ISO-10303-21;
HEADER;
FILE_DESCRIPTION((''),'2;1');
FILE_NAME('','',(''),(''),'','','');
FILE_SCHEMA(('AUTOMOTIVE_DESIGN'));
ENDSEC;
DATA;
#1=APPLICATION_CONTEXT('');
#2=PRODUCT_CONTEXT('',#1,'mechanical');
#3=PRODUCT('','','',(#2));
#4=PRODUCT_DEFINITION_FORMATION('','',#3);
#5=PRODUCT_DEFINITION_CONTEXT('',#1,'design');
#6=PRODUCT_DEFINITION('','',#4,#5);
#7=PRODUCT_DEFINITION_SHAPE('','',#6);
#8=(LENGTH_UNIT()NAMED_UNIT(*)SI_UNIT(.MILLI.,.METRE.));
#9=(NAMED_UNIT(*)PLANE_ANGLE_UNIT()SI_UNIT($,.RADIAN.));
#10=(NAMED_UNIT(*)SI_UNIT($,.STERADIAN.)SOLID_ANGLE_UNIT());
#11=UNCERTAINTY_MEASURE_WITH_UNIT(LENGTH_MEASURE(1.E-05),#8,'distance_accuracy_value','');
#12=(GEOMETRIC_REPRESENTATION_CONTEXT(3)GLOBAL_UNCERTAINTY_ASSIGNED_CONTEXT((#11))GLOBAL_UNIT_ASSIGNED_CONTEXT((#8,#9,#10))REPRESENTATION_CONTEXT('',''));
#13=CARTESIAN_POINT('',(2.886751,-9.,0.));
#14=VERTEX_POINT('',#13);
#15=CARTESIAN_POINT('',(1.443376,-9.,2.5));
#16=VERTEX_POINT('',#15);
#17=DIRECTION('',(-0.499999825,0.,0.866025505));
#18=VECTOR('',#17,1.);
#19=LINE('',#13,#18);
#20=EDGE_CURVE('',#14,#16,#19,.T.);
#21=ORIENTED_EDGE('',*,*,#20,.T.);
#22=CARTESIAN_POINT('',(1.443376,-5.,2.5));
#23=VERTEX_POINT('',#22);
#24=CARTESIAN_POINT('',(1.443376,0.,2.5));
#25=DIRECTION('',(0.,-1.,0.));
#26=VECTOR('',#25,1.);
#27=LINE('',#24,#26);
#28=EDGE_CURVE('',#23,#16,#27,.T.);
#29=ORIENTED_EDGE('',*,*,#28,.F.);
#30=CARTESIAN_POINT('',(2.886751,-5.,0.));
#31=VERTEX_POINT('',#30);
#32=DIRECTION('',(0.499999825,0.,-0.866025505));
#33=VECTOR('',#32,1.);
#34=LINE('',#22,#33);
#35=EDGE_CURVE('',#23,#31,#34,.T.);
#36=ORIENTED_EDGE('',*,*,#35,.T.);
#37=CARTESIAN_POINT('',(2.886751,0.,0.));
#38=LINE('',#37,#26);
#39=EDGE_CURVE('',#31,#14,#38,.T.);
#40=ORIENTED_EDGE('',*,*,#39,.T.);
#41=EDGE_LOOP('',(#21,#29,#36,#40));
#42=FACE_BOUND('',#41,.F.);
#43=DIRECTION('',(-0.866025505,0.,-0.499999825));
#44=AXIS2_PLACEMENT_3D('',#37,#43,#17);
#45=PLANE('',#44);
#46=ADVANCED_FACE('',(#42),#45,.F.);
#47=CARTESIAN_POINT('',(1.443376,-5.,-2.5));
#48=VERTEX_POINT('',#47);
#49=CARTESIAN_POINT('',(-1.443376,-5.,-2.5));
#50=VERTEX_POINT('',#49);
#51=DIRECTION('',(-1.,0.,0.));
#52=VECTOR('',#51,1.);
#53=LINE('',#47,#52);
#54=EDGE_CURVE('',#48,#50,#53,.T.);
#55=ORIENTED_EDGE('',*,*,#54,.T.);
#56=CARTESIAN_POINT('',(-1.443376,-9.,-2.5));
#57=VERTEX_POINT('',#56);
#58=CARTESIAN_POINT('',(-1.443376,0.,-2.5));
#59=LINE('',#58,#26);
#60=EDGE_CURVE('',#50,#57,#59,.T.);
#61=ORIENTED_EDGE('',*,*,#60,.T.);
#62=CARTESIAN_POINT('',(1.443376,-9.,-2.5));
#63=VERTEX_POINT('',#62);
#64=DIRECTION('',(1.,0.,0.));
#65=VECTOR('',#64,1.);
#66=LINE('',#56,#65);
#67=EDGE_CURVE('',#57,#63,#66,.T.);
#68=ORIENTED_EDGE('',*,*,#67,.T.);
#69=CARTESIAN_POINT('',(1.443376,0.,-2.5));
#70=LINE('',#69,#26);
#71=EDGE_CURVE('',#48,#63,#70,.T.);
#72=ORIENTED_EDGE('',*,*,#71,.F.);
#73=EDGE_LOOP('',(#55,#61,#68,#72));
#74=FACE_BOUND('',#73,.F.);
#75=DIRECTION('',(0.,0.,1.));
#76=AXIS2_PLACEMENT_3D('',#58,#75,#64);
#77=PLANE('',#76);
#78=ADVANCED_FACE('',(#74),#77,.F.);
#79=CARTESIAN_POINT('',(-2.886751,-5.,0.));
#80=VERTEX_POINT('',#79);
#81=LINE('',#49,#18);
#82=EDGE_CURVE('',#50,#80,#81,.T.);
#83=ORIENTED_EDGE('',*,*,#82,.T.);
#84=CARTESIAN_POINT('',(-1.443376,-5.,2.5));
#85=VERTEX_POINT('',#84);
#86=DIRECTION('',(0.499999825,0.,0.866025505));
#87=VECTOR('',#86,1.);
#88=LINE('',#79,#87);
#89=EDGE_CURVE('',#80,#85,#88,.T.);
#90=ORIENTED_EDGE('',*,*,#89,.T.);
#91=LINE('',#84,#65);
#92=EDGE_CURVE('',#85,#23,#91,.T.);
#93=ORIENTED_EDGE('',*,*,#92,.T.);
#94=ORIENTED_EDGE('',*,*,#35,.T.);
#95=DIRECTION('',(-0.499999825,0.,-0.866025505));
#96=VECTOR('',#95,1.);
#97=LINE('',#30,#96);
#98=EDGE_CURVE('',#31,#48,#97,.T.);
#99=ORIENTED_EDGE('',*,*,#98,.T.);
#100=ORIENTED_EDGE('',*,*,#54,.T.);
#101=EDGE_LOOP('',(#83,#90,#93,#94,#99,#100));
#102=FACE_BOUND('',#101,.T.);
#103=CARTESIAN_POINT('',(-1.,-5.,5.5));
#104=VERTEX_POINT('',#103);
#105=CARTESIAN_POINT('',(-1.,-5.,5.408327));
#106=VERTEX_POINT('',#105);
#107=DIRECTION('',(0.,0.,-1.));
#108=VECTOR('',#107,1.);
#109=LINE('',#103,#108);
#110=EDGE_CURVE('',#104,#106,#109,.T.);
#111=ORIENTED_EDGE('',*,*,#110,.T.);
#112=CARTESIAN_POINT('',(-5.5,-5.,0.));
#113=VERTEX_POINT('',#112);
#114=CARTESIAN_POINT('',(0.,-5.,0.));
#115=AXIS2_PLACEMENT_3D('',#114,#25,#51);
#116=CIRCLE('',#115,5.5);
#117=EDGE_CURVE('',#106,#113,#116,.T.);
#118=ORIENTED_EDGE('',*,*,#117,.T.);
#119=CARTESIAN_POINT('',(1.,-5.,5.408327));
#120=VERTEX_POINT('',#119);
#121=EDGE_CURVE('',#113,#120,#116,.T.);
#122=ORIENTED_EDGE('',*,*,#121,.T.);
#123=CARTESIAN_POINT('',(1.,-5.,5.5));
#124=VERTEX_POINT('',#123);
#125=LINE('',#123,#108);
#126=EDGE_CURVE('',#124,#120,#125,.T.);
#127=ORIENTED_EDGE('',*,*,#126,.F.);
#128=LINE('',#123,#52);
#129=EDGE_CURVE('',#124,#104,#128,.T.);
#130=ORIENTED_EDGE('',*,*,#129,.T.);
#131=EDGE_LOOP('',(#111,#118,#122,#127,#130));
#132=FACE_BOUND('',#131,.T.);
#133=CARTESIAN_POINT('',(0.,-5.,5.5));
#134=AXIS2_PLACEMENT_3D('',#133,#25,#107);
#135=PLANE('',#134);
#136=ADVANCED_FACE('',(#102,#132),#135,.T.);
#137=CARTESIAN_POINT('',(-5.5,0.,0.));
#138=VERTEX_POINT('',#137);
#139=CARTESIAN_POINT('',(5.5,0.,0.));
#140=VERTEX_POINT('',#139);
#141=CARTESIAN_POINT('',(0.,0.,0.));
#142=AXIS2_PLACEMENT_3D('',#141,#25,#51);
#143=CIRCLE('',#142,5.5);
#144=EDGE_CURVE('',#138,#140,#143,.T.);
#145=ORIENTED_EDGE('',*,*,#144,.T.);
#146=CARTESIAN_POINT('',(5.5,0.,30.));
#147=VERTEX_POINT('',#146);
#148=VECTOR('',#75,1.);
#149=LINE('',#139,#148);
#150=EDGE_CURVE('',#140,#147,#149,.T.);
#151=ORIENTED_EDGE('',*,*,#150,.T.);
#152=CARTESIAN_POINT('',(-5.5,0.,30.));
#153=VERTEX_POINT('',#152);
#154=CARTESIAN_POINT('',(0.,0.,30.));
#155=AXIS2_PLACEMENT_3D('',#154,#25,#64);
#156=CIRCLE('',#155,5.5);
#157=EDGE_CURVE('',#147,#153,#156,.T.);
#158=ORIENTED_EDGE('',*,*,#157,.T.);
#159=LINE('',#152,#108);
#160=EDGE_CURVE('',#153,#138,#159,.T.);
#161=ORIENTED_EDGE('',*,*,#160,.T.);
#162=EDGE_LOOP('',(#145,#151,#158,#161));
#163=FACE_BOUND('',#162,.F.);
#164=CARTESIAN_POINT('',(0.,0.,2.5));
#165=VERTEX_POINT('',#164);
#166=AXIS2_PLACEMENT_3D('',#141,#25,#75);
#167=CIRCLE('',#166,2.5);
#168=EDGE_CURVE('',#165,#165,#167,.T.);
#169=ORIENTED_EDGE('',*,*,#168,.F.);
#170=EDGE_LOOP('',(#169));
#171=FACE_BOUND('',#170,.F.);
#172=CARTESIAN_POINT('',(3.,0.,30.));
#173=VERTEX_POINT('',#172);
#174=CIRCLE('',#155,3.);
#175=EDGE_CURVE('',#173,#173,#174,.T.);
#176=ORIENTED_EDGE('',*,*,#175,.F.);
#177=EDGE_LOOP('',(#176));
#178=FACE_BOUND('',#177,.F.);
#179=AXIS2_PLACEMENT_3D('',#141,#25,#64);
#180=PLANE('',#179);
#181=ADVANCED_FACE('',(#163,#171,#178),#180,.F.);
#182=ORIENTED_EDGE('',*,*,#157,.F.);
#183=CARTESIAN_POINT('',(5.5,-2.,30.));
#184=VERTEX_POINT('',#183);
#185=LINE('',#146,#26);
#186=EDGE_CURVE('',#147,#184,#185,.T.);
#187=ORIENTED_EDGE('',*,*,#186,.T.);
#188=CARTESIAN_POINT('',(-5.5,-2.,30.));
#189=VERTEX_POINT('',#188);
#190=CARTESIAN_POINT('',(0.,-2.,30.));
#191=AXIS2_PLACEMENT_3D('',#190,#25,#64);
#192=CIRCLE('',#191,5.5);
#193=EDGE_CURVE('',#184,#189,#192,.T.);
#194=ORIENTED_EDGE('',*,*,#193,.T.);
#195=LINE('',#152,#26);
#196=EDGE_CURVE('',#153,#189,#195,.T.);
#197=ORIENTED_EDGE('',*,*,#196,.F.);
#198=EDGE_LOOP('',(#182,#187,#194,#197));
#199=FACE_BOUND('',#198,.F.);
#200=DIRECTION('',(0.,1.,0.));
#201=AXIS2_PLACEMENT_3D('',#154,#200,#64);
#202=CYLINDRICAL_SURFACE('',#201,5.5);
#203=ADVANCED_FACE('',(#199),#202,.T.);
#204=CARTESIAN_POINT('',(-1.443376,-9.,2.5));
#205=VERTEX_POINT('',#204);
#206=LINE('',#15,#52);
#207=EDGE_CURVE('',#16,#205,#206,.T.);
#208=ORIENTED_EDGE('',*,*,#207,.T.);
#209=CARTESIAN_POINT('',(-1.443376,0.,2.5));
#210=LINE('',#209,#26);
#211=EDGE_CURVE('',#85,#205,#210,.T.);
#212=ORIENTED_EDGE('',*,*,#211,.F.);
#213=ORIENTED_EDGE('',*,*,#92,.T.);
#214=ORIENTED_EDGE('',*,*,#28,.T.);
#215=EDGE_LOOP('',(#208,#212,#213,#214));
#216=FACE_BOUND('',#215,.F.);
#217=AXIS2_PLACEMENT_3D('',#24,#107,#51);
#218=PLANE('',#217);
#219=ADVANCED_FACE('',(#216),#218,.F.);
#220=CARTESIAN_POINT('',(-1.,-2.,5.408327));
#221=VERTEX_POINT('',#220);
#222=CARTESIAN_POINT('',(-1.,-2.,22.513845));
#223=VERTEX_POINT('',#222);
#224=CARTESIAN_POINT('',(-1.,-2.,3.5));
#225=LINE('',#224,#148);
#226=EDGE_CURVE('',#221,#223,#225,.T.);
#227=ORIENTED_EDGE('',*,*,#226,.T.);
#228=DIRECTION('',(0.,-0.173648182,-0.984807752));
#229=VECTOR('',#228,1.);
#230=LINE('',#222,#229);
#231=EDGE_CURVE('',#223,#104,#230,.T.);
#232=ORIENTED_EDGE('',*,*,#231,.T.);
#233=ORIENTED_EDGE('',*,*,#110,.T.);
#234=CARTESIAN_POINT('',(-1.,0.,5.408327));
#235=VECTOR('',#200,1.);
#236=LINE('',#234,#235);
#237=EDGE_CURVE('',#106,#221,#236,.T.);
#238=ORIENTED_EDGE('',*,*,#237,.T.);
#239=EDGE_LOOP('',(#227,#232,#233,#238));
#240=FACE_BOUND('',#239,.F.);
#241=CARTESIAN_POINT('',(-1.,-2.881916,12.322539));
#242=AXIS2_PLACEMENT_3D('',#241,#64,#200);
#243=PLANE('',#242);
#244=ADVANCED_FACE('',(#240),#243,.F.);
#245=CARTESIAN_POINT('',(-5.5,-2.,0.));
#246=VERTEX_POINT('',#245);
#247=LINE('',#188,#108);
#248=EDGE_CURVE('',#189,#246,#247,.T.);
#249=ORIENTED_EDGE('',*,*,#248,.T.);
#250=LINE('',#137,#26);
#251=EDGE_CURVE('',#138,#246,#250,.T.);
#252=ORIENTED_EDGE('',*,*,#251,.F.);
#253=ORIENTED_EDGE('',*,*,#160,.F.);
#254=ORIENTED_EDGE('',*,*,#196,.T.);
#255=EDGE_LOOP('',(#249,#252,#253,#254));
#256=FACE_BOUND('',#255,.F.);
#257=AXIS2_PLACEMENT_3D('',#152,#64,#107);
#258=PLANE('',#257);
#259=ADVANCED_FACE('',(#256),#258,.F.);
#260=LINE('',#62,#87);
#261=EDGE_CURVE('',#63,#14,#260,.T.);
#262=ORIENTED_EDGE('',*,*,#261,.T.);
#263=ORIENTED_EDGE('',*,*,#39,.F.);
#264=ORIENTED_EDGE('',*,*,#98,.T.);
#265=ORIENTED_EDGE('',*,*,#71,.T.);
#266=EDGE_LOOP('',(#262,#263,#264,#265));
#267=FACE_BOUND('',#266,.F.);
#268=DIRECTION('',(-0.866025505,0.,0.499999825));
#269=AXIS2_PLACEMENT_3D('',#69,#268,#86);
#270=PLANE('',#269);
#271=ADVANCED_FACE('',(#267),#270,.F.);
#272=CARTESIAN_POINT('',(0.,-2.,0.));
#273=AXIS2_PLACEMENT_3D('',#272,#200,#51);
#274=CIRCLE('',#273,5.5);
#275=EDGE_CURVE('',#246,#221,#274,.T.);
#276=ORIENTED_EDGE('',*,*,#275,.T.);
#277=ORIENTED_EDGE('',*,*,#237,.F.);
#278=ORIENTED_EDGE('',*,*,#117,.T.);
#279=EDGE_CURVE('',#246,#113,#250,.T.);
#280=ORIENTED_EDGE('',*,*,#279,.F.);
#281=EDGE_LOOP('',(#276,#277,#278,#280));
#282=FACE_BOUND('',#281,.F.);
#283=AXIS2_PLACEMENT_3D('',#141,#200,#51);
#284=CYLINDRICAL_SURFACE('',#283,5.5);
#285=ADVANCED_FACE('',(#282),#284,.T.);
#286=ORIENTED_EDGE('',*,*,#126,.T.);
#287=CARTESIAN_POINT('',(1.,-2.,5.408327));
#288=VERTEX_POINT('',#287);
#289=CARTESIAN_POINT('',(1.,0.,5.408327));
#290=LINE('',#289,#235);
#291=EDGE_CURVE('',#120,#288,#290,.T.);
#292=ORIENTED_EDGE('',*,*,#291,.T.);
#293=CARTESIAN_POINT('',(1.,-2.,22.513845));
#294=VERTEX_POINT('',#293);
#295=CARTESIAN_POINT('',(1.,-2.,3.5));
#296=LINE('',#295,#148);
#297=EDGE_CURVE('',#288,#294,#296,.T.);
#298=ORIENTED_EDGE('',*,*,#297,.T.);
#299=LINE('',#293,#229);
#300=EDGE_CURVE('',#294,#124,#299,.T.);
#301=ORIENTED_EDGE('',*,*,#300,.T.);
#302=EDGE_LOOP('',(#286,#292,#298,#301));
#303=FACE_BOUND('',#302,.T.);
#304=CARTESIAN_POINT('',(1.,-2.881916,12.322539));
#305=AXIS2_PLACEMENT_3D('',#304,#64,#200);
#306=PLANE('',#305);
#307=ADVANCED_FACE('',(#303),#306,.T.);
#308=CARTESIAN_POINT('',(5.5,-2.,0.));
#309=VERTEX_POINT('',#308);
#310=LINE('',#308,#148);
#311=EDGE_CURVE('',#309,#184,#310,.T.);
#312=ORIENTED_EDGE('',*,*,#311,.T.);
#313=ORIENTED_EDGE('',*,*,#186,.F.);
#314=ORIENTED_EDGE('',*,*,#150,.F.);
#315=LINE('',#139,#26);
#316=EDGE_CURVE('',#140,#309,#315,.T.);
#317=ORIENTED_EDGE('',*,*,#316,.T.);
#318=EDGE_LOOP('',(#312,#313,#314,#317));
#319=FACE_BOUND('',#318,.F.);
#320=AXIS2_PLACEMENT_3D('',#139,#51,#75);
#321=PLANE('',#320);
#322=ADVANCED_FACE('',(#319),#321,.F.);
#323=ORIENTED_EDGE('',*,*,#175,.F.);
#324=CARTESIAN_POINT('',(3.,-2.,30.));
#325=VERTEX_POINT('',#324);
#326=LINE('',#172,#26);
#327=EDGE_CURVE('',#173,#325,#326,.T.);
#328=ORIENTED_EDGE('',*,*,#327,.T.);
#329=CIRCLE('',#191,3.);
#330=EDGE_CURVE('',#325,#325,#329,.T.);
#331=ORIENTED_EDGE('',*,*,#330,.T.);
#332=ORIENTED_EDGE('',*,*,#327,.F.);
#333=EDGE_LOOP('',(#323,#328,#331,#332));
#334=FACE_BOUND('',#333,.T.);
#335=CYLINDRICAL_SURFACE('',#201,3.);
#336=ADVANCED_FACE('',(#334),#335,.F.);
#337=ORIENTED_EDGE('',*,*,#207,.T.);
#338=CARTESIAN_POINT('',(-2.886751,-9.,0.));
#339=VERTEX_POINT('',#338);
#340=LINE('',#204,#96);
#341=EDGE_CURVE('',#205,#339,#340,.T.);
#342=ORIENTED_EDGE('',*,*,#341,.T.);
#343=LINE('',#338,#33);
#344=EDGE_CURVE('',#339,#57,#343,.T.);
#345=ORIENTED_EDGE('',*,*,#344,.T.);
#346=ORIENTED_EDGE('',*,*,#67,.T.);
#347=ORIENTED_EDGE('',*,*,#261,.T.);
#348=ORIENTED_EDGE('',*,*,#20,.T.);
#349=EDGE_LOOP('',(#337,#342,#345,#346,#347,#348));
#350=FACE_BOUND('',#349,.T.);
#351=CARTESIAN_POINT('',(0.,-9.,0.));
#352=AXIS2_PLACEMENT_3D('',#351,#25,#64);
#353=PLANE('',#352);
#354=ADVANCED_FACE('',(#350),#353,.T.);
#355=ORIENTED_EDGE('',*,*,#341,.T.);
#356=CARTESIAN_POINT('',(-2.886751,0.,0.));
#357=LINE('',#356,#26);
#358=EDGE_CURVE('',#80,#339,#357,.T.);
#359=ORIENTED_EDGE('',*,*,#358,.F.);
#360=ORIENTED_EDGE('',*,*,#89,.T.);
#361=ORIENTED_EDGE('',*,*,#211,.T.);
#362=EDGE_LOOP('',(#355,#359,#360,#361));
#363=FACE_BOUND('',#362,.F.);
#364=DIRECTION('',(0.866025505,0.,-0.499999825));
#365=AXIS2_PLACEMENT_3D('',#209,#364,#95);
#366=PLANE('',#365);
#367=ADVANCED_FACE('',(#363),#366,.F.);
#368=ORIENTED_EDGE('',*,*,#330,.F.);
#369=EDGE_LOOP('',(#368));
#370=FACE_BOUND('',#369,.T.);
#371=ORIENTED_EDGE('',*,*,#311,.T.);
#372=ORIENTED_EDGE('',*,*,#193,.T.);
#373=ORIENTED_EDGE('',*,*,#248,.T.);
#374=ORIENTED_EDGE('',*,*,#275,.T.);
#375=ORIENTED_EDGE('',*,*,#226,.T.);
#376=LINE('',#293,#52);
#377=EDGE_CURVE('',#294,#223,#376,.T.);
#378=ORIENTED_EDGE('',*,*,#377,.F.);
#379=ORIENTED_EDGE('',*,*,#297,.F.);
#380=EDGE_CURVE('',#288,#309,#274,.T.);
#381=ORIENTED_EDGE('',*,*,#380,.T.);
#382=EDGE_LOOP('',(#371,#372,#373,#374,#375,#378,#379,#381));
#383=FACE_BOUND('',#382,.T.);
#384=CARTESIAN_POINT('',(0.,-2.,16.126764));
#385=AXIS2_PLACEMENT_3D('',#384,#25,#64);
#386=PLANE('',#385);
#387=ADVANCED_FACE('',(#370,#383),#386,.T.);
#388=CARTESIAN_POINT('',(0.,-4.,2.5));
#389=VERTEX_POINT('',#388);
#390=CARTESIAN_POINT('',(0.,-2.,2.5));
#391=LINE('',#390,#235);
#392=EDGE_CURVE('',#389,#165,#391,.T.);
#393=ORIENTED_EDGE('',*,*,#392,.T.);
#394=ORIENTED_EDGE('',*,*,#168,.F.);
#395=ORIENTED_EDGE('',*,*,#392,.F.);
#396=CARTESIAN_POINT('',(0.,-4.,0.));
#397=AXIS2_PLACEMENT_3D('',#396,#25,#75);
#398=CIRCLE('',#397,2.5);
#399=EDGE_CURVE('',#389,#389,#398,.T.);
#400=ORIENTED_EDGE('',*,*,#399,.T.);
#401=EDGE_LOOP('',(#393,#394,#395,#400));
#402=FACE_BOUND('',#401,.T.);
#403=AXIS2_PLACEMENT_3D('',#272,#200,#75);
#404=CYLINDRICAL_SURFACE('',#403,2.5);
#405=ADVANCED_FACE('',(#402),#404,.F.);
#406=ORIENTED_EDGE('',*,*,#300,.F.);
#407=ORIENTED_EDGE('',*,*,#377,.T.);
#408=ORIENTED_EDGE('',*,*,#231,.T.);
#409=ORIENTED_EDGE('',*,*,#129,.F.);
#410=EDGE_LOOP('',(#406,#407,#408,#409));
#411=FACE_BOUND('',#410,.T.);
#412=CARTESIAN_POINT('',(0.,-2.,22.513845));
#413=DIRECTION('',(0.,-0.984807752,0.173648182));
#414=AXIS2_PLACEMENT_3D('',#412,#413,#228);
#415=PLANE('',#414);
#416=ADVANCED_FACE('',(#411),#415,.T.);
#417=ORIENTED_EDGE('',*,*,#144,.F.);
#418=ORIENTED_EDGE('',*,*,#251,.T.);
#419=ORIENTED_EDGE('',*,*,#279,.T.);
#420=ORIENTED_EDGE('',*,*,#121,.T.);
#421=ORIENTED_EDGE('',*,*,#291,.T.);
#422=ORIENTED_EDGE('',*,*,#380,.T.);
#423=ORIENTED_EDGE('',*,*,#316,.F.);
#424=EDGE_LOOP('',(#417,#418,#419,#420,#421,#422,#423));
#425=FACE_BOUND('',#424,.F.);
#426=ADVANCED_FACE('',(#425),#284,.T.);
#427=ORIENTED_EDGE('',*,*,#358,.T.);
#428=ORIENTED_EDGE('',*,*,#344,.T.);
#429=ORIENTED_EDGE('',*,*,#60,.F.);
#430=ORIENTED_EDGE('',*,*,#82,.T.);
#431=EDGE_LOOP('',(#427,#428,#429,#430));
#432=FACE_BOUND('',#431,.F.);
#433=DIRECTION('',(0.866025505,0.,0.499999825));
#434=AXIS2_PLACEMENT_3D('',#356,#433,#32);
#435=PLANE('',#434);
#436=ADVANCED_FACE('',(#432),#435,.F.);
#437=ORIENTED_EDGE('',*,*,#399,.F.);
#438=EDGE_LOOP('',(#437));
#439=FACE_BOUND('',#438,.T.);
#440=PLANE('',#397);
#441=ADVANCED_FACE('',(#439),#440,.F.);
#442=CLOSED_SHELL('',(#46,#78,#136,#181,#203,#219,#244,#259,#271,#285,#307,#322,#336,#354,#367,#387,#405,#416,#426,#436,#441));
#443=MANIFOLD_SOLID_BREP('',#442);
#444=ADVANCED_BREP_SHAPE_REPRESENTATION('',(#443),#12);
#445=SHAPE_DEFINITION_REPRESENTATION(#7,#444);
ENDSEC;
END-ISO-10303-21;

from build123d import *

# Parameters (mm, degrees)
F0_R     = 3
F1_DEPTH = 2
F2_DEPTH = 5
F3_DEPTH = 9
F5_DEPTH = 1
F6_W     = 4
F6_H     = 2.5


with BuildPart() as f1:
    # F0 (on Front) → F1 (new body)
    with BuildSketch(Plane.XZ):
        with BuildLine():
            ThreePointArc((5.5, 30), (0, 35.5), (-5.5, 30))
            Line((-5.5, 30), (-5.5, 0))
            ThreePointArc((-5.5, 0), (0, 5.5), (5.5, 0))
            Line((5.5, 0), (5.5, 30))
        make_face()
        with Locations((0, 30)):
            Circle(F0_R, mode=Mode.SUBTRACT)
    extrude(amount=F1_DEPTH)

    # F0 (on Front) → F2 (join)
    with BuildSketch(Plane.XZ):
        with BuildLine():
            ThreePointArc((5.5, 0), (0, 5.5), (-5.5, 0))
            ThreePointArc((-5.5, 0), (0, -5.5), (5.5, 0))
        make_face()
        Polygon((-2.886751, 0), (-1.443376, 2.5), (1.443376, 2.5), (2.886751, 0), (1.443376, -2.5), (-1.443376, -2.5), align=None, mode=Mode.SUBTRACT)
    extrude(amount=F2_DEPTH)

    # F0 (on Front) → F3 (join)
    with BuildSketch(Plane.XZ):
        Polygon((1.443376, 2.5), (-1.443376, 2.5), (-2.886751, 0), (-1.443376, -2.5), (1.443376, -2.5), (2.886751, 0), align=None)
    extrude(amount=F3_DEPTH)

    # F4 (on Right) → F5 (join, symmetric)
    with BuildSketch(Plane.YZ):
        Polygon((-5, 5.5), (-5, 3.5), (-2, 3.5), (-2, 5.5), (-2, 22.513845), align=None)
    extrude(amount=F5_DEPTH, both=True)

    # F6 (on Right) → F7 (revolve, cut)
    with BuildSketch(Plane.YZ):
        with Locations((-2, 1.25)):
            Rectangle(F6_W, F6_H)
    revolve(axis=Axis((0, -2, 0), (0, -1, 0)), mode=Mode.SUBTRACT)


solid = f1.part
